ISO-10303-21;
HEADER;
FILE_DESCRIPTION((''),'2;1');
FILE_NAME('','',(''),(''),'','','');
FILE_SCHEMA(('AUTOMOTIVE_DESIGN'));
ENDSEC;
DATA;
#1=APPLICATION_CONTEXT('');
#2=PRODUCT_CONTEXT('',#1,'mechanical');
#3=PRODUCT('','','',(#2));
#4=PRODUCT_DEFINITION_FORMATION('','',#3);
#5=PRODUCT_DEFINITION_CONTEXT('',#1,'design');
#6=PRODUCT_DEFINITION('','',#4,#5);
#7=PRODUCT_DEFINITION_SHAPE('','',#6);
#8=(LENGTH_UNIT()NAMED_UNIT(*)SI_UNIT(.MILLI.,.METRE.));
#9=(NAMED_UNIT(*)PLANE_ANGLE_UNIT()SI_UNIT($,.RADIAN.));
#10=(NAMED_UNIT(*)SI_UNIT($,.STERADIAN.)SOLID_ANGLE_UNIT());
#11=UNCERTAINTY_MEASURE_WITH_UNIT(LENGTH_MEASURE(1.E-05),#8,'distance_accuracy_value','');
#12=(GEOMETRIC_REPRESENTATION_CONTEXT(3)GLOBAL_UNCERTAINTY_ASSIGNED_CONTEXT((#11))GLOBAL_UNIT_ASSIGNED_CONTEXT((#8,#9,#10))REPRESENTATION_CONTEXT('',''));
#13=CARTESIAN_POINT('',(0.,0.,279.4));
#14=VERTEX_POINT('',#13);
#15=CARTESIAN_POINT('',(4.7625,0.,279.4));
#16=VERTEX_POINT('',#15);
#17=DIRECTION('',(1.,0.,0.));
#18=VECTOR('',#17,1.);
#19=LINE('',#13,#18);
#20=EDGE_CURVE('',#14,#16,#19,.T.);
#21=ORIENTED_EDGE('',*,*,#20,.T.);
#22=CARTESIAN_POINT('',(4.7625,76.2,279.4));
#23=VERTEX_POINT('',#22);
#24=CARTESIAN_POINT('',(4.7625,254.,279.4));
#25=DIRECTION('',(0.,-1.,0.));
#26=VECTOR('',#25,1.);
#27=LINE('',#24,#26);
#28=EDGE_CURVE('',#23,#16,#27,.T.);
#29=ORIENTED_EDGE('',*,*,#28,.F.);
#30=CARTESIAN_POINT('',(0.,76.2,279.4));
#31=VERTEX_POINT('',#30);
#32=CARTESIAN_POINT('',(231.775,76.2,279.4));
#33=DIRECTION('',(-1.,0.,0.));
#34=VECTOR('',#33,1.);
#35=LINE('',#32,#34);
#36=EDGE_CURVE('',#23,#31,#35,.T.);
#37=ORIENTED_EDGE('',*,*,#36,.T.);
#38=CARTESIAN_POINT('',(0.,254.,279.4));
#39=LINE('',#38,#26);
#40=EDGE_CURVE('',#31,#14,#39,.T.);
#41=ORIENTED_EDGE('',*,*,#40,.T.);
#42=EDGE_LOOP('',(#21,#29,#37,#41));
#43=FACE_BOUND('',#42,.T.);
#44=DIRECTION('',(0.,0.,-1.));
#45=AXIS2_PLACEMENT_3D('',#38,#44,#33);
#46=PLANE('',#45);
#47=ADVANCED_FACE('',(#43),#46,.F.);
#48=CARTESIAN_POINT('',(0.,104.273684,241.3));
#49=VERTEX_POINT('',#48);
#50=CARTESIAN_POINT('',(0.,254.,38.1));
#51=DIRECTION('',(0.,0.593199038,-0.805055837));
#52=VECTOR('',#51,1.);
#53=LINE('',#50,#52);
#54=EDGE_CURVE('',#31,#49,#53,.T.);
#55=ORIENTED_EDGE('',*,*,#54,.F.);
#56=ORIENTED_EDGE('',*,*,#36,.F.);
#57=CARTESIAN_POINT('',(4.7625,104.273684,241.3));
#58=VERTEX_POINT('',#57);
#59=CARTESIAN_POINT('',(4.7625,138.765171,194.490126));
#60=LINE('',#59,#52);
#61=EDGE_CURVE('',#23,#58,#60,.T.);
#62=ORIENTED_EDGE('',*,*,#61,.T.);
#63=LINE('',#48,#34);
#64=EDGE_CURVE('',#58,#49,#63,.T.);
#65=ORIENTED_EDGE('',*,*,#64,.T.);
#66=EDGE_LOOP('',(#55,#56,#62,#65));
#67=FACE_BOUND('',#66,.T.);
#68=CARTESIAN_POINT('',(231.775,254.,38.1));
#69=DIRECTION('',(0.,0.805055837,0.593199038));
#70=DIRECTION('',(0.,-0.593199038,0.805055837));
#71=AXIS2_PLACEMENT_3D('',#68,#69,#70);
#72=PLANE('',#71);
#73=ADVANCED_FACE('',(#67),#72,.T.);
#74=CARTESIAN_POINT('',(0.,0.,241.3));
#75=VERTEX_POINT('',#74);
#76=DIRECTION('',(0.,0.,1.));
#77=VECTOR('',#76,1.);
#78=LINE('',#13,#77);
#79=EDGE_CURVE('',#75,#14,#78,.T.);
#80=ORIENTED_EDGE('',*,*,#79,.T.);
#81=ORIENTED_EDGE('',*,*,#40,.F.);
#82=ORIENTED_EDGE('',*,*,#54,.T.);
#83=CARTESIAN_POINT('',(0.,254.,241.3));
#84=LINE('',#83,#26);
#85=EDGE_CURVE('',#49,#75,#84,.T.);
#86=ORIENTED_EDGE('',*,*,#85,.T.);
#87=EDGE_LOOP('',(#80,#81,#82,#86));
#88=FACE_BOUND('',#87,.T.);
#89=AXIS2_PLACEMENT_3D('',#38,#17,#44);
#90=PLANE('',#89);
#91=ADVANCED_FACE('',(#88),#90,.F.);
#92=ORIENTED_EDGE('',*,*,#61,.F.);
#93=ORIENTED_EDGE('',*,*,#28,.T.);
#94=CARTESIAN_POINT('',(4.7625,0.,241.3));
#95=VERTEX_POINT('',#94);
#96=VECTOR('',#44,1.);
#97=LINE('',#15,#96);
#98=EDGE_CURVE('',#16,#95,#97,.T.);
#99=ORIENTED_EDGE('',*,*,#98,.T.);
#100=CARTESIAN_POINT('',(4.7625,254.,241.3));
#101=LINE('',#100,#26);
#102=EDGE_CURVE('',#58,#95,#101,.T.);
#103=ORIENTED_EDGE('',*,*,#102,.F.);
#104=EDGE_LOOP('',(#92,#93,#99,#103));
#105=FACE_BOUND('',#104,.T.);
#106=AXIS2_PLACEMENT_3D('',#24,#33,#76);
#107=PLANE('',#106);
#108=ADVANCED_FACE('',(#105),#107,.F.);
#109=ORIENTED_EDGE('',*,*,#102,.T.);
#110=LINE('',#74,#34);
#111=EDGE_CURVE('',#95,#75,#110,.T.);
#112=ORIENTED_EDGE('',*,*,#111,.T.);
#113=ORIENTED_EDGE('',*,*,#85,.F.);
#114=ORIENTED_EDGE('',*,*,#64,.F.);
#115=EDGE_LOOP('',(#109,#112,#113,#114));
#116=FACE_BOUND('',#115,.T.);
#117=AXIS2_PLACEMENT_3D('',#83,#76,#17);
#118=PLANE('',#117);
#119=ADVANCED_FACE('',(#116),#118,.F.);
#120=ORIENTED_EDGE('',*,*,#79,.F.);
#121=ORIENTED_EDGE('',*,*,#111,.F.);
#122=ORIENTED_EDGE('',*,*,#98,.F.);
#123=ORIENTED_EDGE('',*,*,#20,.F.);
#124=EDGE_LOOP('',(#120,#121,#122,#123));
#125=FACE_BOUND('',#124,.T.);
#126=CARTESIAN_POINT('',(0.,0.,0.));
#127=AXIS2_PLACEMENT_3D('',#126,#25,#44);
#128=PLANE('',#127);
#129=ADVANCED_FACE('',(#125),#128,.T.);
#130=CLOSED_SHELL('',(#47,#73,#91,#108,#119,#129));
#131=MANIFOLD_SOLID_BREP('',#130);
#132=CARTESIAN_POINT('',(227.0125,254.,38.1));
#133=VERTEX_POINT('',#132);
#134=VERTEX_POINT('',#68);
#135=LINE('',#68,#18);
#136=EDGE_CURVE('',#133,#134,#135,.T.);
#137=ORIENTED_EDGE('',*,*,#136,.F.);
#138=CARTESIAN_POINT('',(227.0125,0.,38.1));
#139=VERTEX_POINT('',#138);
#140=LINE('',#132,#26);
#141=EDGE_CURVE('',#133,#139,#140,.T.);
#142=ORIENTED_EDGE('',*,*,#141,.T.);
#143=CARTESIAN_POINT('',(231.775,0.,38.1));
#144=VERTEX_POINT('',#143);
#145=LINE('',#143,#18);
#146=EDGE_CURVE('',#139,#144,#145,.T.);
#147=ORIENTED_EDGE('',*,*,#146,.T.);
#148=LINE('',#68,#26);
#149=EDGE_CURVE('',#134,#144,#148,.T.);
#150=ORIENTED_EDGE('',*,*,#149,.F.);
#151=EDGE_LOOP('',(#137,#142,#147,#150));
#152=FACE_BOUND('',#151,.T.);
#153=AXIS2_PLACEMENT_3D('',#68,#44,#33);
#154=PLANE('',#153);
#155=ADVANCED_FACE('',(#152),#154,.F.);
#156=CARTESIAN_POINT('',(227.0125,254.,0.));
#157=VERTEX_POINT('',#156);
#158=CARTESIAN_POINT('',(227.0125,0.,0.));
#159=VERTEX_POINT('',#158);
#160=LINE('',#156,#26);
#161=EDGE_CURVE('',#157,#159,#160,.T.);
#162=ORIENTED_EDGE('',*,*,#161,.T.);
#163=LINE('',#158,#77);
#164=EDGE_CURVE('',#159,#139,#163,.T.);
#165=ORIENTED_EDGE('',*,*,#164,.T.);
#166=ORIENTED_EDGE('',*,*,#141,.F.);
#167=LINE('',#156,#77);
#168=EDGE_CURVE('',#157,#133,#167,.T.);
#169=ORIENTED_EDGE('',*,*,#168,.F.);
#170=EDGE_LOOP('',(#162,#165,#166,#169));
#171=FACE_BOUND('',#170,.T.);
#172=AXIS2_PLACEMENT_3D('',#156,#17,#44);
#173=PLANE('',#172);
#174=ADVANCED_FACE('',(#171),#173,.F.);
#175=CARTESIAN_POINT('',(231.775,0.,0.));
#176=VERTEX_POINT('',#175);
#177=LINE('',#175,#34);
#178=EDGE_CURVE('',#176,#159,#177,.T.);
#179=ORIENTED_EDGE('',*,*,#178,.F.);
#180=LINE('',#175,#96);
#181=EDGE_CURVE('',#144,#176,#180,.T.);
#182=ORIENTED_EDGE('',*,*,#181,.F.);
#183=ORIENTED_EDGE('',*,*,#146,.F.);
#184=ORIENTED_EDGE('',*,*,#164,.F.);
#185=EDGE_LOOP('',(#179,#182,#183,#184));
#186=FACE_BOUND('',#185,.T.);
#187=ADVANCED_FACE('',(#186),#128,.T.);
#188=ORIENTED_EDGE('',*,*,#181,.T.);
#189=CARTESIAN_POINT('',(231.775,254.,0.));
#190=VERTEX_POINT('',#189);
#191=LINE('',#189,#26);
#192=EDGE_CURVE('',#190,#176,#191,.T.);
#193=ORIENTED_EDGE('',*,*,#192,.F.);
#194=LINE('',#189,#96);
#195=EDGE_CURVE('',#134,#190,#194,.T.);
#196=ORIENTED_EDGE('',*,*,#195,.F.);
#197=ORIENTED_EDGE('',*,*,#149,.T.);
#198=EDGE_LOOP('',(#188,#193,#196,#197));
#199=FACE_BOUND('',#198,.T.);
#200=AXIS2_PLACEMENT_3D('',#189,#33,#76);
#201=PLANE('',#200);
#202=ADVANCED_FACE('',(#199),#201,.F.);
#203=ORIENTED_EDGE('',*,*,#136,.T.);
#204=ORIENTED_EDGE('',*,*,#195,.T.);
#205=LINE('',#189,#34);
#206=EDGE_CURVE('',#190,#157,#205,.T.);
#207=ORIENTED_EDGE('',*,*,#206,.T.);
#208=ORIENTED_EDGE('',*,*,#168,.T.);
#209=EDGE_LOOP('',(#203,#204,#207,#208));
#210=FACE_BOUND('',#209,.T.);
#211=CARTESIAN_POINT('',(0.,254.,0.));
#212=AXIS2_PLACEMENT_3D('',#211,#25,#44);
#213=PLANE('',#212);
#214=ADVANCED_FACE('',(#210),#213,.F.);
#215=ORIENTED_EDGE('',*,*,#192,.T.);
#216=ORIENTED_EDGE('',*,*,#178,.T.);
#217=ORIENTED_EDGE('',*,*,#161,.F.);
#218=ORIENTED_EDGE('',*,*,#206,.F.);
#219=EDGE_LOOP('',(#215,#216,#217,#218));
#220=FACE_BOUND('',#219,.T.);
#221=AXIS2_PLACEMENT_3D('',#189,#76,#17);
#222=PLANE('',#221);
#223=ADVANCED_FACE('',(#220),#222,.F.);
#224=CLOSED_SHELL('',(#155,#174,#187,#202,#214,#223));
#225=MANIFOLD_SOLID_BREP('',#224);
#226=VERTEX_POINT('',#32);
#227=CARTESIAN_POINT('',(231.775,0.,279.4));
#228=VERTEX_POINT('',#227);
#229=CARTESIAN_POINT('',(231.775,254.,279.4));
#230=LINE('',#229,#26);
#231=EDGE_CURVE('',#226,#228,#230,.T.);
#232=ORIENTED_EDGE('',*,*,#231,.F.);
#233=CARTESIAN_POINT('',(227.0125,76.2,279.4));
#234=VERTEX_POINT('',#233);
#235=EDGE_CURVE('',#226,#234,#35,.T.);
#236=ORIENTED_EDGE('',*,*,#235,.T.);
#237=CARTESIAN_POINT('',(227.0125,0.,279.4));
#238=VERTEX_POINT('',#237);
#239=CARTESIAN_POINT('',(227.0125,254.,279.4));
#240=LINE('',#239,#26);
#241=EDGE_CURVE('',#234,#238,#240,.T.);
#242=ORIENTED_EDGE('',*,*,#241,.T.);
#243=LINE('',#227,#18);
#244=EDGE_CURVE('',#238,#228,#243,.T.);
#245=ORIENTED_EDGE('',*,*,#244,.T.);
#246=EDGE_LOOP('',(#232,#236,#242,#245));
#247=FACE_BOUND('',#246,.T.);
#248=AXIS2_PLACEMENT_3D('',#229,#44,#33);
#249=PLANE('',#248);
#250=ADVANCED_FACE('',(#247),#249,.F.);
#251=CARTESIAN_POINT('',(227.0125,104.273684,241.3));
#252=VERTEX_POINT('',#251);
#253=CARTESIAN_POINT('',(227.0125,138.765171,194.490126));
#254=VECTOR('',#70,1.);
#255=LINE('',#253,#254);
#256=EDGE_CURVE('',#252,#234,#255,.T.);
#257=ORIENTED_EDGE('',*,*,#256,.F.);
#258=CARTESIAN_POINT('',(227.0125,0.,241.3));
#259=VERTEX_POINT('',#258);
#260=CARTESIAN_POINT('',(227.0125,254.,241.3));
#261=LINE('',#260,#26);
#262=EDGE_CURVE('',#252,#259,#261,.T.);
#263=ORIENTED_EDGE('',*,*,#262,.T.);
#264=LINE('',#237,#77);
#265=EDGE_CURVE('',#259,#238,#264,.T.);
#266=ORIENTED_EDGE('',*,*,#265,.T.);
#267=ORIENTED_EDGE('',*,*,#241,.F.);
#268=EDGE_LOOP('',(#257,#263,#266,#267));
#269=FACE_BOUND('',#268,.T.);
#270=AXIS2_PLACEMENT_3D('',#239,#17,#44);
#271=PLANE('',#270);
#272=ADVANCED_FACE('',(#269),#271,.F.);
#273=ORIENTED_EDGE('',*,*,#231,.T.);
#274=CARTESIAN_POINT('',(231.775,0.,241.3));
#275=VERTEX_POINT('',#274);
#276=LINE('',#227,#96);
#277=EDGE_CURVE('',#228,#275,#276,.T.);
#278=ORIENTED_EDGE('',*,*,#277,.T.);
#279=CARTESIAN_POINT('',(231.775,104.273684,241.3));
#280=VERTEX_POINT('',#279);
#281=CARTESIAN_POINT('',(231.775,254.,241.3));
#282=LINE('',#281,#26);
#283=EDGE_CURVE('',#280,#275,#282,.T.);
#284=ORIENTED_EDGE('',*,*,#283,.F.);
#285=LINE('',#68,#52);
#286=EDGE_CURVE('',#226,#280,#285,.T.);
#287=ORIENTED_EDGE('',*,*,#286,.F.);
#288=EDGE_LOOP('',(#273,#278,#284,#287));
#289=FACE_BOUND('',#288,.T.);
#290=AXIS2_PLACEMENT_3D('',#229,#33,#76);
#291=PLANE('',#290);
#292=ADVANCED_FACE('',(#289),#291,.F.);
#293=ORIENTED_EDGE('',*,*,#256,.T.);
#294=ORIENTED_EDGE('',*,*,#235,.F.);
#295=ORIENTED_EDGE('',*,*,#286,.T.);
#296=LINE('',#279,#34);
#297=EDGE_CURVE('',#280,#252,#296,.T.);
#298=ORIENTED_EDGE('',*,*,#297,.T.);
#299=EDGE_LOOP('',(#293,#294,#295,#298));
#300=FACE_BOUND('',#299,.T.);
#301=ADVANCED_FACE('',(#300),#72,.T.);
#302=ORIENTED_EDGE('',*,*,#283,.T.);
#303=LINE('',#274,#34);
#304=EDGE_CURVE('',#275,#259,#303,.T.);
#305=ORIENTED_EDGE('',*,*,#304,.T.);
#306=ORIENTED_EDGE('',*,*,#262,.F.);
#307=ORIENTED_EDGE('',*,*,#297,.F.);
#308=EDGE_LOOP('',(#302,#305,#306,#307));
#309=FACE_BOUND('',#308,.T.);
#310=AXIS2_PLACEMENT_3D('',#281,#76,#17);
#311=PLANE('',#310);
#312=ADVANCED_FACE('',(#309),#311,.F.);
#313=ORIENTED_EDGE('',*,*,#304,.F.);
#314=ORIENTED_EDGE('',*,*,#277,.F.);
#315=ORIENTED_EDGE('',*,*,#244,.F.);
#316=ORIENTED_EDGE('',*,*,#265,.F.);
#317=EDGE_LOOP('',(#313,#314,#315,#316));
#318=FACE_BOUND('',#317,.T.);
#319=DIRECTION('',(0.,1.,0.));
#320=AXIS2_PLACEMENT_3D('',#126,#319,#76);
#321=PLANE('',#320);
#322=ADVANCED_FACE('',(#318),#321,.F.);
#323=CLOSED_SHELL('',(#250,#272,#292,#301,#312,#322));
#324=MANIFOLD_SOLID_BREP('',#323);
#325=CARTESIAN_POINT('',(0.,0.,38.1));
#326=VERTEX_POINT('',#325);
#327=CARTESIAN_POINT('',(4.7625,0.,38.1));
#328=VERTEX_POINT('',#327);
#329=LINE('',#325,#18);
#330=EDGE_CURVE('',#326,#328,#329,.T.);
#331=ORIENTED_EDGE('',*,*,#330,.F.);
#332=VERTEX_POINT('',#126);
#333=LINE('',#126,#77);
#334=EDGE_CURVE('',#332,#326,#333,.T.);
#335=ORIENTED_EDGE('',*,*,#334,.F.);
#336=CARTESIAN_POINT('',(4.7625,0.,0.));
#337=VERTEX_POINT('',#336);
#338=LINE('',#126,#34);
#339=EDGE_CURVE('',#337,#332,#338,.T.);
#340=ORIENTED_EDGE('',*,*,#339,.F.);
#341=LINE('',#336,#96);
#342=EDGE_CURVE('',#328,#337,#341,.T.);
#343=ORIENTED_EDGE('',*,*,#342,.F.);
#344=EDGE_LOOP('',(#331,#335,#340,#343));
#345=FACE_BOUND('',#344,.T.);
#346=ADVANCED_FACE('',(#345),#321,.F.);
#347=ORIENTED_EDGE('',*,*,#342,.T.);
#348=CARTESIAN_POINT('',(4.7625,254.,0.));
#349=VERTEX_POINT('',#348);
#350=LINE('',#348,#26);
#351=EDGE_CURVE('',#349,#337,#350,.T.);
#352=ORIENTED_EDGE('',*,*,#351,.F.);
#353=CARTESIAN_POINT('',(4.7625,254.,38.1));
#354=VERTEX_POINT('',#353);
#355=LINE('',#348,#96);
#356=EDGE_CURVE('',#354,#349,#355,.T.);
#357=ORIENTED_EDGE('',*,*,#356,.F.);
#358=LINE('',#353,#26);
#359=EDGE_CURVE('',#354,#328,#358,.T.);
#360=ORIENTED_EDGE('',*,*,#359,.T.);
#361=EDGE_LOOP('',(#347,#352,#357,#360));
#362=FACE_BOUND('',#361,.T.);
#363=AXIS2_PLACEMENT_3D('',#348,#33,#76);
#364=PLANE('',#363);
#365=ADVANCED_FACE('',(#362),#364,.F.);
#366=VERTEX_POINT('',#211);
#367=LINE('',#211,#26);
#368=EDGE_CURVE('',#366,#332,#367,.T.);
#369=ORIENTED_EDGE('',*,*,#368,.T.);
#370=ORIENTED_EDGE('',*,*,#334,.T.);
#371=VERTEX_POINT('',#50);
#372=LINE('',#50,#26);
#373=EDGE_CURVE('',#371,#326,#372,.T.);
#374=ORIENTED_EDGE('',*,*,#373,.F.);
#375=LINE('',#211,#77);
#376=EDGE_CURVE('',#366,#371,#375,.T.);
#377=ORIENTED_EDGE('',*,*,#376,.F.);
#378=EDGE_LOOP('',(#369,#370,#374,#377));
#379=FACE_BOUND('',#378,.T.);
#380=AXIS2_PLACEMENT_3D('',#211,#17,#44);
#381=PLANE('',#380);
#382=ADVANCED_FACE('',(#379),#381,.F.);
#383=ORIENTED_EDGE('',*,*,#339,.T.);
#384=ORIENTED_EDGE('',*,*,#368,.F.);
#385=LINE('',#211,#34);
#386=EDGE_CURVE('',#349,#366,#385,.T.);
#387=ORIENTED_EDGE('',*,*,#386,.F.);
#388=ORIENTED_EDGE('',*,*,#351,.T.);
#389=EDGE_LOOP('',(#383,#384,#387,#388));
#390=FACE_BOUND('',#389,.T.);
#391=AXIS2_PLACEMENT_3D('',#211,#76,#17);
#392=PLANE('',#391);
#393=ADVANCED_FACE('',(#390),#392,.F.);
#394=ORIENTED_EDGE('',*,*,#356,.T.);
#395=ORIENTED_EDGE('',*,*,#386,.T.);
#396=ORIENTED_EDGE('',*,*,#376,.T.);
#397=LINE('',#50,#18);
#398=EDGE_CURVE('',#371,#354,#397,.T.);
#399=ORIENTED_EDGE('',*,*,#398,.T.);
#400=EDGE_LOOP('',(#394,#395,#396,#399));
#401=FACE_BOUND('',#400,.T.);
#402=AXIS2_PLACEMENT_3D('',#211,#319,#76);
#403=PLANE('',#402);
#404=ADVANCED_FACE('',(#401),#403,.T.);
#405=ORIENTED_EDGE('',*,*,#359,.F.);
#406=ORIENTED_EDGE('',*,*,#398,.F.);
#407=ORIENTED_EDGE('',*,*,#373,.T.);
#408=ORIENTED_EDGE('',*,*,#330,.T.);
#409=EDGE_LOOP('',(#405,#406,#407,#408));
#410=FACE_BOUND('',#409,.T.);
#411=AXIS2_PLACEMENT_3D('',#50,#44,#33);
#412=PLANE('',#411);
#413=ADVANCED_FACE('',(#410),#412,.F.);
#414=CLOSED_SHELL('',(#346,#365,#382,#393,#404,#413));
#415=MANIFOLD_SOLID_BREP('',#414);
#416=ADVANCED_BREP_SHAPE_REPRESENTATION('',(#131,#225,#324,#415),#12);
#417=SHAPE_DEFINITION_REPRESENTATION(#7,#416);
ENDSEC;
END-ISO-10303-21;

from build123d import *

# Parameters (mm, degrees)
SKETCH2_W             = 4.7625
SKETCH2_H             = 38.1
BOSS_EXTRUDE1_DEPTH   = 254
BOSS_EXTRUDE1_2_DEPTH = 254
BOSS_EXTRUDE1_3_DEPTH = 254
BOSS_EXTRUDE1_4_DEPTH = 254
CUT_EXTRUDE3_DEPTH    = 444.057570328


with BuildPart() as part:
    # Sketch2 → Boss-Extrude1 (new body)
    with BuildSketch(Plane(origin=(0, 0, 0), x_dir=(1, 0, 0), z_dir=(0, 1, 0))):
        with Locations((2.38125, -19.05)):
            Rectangle(SKETCH2_W, SKETCH2_H)
    extrude(amount=BOSS_EXTRUDE1_DEPTH)


with BuildPart() as body_2:
    # Sketch2 → Boss-Extrude1 2 (new body)
    with BuildSketch(Plane(origin=(0, 0, 0), x_dir=(1, 0, 0), z_dir=(0, 1, 0))):
        with Locations((229.39375, -19.05)):
            Rectangle(SKETCH2_W, SKETCH2_H)
    extrude(amount=BOSS_EXTRUDE1_2_DEPTH)


with BuildPart() as body_3:
    # Sketch2 → Boss-Extrude1 3 (new body)
    with BuildSketch(Plane(origin=(0, 0, 0), x_dir=(1, 0, 0), z_dir=(0, 1, 0))):
        with Locations((2.38125, -260.35)):
            Rectangle(SKETCH2_W, SKETCH2_H)
    extrude(amount=BOSS_EXTRUDE1_3_DEPTH)


with BuildPart() as body_4:
    # Sketch2 → Boss-Extrude1 4 (new body)
    with BuildSketch(Plane(origin=(0, 0, 0), x_dir=(1, 0, 0), z_dir=(0, 1, 0))):
        with Locations((229.39375, -260.35)):
            Rectangle(SKETCH2_W, SKETCH2_H)
    extrude(amount=BOSS_EXTRUDE1_4_DEPTH)


with BuildPart() as cut_extrude3_tool:
    # Sketch3 → Cut-Extrude3 (new, through all)
    with BuildSketch(Plane(origin=(0, 0, 0), x_dir=(0, 0, -1), z_dir=(1, 0, 0))):
        Polygon((-279.4, 76.2), (-279.4, 254), (-38.1, 254), align=None)
    extrude(amount=CUT_EXTRUDE3_DEPTH)


with BuildPart() as body_3_1:
    add(body_3.part)

    # Cut-Extrude3: cut by cut_extrude3_tool
    add(cut_extrude3_tool.part, mode=Mode.SUBTRACT)


with BuildPart() as body_4_1:
    add(body_4.part)

    # Cut-Extrude3: cut by cut_extrude3_tool
    add(cut_extrude3_tool.part, mode=Mode.SUBTRACT)


solid = Compound([part.part, body_2.part, body_3_1.part, body_4_1.part])
